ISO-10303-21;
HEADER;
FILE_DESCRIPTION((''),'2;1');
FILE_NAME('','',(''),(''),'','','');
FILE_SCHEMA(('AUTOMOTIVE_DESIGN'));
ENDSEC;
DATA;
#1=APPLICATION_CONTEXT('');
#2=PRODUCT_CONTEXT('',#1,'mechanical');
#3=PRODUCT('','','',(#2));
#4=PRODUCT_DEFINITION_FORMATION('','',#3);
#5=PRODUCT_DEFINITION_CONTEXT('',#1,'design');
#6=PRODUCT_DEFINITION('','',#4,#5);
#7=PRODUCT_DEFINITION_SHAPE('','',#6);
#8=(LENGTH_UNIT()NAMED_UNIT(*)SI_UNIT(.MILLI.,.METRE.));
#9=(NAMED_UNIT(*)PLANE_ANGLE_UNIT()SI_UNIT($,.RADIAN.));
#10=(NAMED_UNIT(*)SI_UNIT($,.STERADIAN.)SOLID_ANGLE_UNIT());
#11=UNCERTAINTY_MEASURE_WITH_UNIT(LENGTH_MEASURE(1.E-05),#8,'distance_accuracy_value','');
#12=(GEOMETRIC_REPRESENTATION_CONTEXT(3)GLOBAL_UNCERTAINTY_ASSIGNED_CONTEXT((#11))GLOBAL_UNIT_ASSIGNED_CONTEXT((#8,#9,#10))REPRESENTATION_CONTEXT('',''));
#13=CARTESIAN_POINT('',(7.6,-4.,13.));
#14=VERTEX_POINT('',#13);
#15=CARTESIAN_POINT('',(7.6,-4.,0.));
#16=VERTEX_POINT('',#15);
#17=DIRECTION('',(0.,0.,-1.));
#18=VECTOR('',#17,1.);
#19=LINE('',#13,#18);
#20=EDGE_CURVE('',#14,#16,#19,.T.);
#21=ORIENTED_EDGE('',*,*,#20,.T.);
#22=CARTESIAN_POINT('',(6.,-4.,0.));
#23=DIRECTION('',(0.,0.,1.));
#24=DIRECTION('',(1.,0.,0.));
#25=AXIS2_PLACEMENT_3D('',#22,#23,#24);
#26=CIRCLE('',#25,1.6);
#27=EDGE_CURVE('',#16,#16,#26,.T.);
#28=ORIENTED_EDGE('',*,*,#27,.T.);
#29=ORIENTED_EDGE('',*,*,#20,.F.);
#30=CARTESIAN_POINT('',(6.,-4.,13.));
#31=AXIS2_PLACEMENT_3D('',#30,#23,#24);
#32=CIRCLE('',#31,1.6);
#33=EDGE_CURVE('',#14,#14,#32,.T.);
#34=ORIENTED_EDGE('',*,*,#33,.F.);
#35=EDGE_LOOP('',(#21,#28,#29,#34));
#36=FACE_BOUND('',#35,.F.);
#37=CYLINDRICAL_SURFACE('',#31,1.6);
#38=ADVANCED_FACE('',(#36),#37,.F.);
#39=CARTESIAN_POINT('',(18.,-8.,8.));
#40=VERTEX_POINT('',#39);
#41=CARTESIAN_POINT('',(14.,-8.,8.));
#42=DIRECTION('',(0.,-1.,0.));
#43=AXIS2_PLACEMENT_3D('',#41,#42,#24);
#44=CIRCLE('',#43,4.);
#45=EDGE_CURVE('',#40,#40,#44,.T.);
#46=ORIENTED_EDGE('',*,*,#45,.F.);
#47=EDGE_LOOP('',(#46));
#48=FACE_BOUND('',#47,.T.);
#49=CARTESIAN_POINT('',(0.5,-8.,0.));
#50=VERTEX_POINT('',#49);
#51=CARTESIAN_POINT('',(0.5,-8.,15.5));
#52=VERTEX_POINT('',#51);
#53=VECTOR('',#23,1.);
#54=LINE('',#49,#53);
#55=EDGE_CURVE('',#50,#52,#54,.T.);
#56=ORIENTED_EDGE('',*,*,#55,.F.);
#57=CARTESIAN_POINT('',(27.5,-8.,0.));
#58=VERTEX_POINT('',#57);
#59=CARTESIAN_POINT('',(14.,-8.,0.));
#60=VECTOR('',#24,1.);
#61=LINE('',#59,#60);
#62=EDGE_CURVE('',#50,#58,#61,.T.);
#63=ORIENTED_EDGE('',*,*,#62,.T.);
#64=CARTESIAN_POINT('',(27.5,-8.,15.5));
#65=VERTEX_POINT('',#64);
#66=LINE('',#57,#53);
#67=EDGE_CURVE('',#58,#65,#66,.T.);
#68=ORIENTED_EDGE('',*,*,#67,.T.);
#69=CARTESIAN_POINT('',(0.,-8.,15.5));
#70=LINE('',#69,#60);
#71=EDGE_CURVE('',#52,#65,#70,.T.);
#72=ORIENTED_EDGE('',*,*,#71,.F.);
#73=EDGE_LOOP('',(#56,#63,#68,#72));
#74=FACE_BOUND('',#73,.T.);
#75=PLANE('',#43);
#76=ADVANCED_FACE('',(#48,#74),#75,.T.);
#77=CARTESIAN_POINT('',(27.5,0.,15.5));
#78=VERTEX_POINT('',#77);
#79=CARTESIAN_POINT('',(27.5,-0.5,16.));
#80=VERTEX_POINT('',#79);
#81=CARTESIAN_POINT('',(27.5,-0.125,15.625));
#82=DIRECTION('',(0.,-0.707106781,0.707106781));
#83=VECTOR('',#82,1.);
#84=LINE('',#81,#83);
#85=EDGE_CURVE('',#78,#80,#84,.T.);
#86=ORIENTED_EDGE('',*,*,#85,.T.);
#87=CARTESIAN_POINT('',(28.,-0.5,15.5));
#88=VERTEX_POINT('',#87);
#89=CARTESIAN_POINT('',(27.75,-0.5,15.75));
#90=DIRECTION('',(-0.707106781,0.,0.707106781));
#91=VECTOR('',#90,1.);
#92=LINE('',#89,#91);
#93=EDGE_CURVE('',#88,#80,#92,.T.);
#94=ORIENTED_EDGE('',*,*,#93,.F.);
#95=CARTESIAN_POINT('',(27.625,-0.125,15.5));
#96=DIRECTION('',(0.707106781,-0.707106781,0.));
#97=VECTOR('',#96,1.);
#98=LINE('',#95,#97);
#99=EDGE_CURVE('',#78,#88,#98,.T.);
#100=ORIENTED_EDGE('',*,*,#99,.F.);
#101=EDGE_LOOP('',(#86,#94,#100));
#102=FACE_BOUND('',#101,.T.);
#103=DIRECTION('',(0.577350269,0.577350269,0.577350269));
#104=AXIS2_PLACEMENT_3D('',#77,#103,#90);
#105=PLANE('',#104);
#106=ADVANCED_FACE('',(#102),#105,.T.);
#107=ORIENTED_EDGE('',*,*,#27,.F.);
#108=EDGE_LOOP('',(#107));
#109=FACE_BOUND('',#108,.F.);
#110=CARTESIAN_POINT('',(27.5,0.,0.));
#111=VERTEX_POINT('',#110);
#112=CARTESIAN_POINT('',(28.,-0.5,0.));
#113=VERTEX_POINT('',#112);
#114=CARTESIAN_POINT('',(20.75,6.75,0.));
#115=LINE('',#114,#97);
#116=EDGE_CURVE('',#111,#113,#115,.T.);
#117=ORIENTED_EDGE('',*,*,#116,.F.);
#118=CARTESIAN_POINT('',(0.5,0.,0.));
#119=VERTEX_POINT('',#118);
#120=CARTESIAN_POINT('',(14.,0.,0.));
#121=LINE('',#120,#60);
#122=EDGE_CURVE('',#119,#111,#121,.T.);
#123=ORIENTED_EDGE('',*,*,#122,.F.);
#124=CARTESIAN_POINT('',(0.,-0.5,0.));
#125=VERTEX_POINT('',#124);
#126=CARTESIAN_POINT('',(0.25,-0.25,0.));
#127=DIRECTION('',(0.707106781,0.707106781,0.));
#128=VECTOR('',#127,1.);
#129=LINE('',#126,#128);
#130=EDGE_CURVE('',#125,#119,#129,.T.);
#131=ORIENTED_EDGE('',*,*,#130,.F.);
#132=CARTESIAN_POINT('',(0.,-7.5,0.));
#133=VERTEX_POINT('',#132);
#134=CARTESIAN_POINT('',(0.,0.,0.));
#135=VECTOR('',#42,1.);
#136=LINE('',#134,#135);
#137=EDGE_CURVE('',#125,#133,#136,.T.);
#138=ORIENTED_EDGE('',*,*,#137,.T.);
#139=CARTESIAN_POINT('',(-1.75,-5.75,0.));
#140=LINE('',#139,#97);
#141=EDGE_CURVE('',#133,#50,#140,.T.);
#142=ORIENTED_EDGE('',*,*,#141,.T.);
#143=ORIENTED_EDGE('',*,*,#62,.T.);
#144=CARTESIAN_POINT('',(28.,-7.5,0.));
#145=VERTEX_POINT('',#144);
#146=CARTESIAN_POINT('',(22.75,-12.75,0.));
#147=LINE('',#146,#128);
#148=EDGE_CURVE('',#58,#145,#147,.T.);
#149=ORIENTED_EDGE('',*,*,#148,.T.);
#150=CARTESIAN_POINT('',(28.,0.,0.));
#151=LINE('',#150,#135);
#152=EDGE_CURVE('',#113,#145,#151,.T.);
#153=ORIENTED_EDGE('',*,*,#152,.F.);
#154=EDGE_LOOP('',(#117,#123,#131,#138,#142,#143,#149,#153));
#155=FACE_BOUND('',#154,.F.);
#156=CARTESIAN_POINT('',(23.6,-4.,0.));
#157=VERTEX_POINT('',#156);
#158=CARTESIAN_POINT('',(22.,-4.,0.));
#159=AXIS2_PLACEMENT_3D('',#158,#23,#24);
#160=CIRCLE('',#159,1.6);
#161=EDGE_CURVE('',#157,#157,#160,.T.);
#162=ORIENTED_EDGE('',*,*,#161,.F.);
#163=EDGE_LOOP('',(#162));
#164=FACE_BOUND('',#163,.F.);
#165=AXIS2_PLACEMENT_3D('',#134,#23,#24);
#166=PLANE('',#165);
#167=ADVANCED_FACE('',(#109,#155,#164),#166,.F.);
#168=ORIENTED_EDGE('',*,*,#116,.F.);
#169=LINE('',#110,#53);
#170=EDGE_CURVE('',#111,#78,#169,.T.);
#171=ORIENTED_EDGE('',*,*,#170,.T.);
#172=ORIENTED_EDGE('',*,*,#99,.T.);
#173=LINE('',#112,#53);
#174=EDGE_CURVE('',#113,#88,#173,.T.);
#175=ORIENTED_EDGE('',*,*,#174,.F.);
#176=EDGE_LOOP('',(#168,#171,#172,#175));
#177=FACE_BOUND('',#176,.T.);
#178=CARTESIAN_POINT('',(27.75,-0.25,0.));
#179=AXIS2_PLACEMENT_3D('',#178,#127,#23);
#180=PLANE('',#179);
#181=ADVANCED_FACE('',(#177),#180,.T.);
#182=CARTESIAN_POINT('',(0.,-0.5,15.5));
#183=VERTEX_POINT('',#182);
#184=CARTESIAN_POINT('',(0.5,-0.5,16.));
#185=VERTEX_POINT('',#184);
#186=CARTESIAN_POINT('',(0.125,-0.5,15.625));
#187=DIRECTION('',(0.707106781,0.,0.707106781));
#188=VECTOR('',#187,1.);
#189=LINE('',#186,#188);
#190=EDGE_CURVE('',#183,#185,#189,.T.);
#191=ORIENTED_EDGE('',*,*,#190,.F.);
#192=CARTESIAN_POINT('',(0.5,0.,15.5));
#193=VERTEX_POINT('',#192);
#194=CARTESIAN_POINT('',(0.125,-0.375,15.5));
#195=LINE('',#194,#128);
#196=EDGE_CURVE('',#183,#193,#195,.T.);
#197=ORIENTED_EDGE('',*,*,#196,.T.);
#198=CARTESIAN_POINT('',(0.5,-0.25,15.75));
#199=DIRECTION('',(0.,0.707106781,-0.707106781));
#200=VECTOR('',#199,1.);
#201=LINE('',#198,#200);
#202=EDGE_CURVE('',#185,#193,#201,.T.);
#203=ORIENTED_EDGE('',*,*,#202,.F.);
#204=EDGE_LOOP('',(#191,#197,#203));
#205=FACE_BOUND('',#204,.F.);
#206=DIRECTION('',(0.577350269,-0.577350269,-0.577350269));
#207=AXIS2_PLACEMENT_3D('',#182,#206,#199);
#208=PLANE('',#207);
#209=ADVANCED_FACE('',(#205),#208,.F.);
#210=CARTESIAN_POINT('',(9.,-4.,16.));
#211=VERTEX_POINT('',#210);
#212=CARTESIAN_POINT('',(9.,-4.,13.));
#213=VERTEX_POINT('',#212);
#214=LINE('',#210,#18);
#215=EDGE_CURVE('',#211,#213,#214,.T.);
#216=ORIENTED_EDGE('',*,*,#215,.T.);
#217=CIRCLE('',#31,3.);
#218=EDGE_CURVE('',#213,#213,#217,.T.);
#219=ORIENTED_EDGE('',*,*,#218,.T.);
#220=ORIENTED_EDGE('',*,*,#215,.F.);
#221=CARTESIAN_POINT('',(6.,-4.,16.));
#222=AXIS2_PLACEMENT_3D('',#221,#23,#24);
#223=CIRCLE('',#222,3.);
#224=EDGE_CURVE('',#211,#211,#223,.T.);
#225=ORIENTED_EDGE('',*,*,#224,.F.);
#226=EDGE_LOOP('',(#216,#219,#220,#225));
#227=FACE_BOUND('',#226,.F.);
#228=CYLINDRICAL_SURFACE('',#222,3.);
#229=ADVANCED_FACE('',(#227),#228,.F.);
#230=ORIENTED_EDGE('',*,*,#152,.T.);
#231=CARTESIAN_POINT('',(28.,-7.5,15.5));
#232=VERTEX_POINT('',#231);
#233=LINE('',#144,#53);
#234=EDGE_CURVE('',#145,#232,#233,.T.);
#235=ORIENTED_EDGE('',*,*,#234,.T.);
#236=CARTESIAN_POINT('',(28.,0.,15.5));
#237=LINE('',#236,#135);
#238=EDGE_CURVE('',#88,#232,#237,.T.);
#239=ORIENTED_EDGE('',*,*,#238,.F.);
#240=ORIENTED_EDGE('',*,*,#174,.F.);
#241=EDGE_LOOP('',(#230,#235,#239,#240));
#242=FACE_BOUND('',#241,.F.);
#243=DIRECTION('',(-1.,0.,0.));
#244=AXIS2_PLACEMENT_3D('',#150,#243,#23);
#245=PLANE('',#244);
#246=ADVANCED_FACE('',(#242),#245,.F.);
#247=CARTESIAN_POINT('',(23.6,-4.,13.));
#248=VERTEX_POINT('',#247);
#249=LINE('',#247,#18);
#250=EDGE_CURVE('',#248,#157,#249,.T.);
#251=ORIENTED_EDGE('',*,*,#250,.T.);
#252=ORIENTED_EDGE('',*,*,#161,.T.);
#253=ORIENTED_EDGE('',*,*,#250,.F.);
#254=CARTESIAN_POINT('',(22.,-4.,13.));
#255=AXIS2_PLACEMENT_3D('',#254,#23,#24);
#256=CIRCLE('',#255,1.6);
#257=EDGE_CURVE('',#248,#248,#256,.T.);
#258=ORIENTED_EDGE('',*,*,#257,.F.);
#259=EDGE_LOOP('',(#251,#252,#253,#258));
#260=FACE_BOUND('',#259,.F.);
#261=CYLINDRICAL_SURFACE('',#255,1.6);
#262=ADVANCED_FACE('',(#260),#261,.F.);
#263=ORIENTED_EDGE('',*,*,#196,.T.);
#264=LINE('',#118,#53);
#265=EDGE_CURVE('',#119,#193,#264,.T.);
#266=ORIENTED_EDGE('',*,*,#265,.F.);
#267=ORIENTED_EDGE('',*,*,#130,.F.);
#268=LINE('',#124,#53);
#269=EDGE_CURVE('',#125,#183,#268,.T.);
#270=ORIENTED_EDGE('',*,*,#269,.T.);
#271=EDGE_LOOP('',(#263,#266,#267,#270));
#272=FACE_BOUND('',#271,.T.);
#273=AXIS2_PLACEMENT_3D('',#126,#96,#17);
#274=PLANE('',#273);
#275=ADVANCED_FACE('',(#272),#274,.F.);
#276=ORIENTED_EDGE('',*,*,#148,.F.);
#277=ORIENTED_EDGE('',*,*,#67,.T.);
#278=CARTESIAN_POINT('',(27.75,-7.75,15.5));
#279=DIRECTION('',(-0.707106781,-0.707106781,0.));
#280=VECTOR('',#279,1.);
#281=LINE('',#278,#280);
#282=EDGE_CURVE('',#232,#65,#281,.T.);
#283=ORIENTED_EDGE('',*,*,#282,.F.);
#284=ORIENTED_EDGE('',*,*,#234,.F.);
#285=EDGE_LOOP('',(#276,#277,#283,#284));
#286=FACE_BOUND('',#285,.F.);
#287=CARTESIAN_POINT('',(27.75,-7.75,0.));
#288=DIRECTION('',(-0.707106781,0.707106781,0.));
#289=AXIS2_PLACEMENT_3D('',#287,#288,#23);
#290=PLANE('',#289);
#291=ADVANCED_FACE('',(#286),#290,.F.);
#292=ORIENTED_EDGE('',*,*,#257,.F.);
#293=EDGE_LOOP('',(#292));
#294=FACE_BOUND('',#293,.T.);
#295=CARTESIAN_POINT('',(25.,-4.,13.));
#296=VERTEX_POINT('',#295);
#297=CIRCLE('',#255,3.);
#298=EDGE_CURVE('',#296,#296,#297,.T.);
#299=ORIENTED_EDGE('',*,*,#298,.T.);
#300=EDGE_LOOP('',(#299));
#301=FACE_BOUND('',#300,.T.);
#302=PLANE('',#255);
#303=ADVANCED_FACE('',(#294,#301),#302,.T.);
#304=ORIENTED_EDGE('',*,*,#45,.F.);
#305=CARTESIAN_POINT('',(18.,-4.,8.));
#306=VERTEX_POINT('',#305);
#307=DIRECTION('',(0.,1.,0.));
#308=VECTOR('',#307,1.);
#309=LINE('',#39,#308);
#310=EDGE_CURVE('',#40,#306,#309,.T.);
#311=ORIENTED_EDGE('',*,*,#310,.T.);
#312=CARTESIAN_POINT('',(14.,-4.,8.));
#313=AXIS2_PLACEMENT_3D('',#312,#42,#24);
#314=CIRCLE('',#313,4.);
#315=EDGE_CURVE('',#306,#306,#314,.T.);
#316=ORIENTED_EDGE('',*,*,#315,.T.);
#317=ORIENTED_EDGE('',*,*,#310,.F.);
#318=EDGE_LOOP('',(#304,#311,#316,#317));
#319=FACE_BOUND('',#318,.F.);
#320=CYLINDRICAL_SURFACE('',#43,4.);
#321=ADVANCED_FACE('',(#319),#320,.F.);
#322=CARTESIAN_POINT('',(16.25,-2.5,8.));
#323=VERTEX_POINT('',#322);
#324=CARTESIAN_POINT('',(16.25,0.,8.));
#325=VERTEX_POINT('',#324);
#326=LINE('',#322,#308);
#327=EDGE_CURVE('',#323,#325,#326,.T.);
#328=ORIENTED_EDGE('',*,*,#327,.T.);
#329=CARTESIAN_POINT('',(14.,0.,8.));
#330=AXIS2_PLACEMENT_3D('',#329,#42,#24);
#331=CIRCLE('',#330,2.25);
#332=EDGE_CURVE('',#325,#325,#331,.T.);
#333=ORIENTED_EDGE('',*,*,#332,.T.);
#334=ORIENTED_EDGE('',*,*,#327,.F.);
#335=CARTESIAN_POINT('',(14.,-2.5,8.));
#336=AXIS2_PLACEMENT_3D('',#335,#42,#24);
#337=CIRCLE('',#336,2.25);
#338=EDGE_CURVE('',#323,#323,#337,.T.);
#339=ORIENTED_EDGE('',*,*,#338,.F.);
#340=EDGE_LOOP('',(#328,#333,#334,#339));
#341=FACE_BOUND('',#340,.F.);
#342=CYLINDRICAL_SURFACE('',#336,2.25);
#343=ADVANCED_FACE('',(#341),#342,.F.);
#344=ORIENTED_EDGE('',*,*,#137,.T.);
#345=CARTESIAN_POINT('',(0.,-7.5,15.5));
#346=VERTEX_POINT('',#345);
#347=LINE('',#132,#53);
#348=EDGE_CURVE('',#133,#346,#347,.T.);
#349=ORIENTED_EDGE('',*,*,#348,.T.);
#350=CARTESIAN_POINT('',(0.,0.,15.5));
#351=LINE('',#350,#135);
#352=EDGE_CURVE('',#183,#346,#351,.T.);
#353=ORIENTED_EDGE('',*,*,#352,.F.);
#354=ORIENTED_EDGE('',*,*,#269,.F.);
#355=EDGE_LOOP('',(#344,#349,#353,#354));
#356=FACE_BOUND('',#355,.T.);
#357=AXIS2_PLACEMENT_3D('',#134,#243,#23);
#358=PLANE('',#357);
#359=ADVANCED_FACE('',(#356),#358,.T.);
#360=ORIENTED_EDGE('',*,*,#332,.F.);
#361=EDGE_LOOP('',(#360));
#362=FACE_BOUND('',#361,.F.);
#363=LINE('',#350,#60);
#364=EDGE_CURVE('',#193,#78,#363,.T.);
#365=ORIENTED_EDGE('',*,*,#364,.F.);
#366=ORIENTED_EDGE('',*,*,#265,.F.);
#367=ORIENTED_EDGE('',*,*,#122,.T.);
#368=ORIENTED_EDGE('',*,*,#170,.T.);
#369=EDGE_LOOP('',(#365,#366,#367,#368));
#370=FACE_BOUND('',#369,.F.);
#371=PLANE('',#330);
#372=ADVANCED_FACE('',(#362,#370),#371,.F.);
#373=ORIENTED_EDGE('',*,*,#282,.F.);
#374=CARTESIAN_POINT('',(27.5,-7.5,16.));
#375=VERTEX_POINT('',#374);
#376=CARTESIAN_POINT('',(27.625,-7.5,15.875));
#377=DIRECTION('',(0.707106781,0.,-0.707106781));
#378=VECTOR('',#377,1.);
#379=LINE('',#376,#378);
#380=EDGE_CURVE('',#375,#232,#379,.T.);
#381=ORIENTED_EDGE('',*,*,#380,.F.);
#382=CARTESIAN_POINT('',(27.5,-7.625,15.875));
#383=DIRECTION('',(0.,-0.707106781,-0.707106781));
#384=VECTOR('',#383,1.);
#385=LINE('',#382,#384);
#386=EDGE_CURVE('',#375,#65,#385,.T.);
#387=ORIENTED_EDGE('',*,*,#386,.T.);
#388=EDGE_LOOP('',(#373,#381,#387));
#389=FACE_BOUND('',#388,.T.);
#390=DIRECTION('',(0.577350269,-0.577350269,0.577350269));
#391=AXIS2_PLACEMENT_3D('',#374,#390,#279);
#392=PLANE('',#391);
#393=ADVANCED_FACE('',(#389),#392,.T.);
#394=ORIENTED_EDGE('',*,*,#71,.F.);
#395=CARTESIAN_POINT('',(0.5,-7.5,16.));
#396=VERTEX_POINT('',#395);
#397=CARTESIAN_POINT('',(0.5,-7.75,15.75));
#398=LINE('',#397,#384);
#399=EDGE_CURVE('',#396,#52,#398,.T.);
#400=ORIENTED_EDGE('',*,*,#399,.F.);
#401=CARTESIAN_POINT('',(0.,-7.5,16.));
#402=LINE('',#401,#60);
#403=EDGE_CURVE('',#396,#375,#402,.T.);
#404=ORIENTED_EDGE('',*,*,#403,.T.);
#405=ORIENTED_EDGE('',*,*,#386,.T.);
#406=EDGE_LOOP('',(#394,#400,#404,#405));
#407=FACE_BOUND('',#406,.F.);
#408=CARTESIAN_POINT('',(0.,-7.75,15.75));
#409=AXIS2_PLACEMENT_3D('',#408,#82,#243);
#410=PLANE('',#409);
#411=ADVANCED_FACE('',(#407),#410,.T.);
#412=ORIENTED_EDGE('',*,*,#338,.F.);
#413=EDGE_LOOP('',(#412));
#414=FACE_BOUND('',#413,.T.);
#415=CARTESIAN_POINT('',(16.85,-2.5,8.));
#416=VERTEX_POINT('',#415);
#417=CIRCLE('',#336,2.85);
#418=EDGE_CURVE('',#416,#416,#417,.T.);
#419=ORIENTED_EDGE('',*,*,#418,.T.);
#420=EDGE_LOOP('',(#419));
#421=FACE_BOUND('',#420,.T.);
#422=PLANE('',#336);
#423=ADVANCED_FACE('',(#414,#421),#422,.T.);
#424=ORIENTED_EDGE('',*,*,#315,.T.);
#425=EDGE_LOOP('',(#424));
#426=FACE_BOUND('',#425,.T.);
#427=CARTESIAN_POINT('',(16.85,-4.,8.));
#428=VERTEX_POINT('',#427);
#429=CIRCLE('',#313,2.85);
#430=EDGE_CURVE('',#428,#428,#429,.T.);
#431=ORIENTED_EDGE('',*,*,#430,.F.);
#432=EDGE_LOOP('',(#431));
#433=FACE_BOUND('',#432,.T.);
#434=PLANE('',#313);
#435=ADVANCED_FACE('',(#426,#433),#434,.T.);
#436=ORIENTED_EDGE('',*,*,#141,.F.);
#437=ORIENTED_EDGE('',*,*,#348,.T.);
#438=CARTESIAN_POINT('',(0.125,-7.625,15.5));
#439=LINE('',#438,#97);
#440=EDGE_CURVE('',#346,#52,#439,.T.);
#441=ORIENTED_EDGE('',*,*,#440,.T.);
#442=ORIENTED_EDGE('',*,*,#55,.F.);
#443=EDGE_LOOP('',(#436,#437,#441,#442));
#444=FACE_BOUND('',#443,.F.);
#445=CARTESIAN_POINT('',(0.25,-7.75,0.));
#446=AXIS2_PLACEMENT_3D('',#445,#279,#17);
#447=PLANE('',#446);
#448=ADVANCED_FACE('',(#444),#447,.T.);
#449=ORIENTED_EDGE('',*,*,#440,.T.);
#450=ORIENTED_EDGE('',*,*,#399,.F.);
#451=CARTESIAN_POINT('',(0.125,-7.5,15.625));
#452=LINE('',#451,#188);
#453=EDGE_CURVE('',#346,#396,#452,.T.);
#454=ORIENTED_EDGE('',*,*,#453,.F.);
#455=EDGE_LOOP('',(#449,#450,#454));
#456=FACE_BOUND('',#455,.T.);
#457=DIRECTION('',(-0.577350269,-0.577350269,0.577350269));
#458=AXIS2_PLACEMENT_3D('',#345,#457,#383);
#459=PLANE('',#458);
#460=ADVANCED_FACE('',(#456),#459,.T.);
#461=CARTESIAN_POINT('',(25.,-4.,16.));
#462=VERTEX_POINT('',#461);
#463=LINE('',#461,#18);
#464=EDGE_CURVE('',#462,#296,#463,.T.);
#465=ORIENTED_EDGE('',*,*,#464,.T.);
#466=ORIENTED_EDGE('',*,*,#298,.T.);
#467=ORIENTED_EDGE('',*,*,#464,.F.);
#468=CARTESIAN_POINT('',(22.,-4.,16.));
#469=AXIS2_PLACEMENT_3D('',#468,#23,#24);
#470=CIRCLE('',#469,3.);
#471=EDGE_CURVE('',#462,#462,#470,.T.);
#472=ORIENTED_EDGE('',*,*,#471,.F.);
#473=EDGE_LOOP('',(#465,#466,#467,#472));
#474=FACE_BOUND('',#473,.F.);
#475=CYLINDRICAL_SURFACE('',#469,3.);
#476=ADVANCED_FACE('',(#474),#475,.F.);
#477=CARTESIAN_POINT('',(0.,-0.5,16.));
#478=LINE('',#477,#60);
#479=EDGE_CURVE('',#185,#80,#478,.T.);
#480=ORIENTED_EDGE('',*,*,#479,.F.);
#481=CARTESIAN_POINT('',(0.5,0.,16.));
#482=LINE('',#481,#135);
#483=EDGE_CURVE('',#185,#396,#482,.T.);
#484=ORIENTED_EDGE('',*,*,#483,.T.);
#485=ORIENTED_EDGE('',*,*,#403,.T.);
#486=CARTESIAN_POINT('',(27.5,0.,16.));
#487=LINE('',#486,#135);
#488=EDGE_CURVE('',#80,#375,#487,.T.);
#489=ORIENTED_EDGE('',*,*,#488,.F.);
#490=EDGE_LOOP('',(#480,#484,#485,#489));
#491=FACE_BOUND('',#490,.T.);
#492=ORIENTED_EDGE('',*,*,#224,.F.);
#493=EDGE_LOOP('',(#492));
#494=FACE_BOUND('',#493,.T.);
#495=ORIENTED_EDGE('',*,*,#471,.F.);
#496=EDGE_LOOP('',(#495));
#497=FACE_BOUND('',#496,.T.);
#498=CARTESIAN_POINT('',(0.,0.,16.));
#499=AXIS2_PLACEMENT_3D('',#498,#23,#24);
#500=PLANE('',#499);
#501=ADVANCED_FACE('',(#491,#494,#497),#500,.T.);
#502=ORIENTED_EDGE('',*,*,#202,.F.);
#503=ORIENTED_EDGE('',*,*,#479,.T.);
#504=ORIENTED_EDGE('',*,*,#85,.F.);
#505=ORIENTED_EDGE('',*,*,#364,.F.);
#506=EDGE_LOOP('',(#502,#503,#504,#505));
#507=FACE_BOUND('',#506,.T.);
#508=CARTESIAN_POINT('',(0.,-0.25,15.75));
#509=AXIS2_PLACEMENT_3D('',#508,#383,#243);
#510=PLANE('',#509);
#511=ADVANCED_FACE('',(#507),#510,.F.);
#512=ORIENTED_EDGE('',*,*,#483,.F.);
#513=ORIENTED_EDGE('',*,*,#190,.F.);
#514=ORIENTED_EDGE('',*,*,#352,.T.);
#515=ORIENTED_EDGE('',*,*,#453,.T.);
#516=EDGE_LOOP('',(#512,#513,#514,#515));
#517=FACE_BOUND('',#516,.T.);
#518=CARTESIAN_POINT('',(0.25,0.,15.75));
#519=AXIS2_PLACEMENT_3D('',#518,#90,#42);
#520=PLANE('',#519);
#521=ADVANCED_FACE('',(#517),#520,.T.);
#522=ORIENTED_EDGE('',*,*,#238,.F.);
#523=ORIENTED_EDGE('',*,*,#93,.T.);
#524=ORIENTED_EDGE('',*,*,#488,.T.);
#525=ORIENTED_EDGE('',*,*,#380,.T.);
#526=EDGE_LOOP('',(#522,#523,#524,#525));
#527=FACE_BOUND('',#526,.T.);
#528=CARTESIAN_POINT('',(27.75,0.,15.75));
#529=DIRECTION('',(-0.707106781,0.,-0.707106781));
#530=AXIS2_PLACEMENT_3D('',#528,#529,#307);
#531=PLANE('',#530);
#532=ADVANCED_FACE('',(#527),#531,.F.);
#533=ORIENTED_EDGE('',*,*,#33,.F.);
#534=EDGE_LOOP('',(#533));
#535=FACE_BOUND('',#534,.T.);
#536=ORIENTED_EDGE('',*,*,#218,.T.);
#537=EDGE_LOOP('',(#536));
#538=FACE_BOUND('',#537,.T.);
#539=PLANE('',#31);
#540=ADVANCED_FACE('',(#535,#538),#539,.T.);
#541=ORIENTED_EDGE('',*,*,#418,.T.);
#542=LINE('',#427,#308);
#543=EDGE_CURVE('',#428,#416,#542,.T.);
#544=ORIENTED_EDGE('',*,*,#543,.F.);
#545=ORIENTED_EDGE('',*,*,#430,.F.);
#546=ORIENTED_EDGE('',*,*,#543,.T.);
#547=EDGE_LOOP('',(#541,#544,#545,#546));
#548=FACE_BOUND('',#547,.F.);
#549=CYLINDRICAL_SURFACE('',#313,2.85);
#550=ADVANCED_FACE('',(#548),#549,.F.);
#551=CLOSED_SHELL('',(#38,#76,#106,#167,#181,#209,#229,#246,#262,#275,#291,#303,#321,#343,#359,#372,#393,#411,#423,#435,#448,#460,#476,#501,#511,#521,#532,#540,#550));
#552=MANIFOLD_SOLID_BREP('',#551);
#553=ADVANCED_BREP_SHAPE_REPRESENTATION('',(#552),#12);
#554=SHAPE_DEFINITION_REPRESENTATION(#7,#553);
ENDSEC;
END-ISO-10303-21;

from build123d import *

# Parameters (mm, degrees)
F0_W      = 28
F0_H      = 16
F1_DEPTH  = 8
F2_R      = 4
F3_DEPTH  = 4
F4_R      = 2.85
F5_DEPTH  = 1.5
F6_R      = 2.25
F7_DEPTH  = 25
F8_R      = 3
F10_DEPTH = 3
F9_R      = 3
F11_DEPTH = 3
F12_R     = 1.6
F14_DEPTH = 25
F13_R     = 1.6
F15_DEPTH = 25
F16_SIZE  = 0.5


with BuildPart() as f1:
    # F0 (on Front) → F1 (new body)
    with BuildSketch(Plane.XZ):
        with Locations((14, 8)):
            Rectangle(F0_W, F0_H)
    extrude(amount=F1_DEPTH)

    # F2 (on face) → F3 (cut)
    with BuildSketch(Plane.XZ.offset(8)):
        with Locations((14, 8)):
            Circle(F2_R)
    extrude(amount=-F3_DEPTH, mode=Mode.SUBTRACT)

    # F4 (on face) → F5 (cut)
    with BuildSketch(Plane.XZ.offset(4)):
        with Locations((14, 8)):
            Circle(F4_R)
    extrude(amount=-F5_DEPTH, mode=Mode.SUBTRACT)

    # F6 (on face) → F7 (cut)
    with BuildSketch(Plane.XZ.offset(2.5)):
        with Locations((14, 8)):
            Circle(F6_R)
    extrude(amount=-F7_DEPTH, mode=Mode.SUBTRACT)

    # F8 (on face) → F10 (cut)
    with BuildSketch(Plane.XY.offset(16)):
        with Locations((6, -4)):
            Circle(F8_R)
    extrude(amount=-F10_DEPTH, mode=Mode.SUBTRACT)

    # F9 (on face) → F11 (cut)
    with BuildSketch(Plane.XY.offset(16)):
        with Locations((22, -4)):
            Circle(F9_R)
    extrude(amount=-F11_DEPTH, mode=Mode.SUBTRACT)

    # F12 (on face) → F14 (cut)
    with BuildSketch(Plane.XY.offset(13)):
        with Locations((6, -4)):
            Circle(F12_R)
    extrude(amount=-F14_DEPTH, mode=Mode.SUBTRACT)

    # F13 (on face) → F15 (cut)
    with BuildSketch(Plane.XY.offset(13)):
        with Locations((22, -4)):
            Circle(F13_R)
    extrude(amount=-F15_DEPTH, mode=Mode.SUBTRACT)

    # F16
    f16_edges = [f1.edges().sort_by_distance(p)[0] for p in [
        (28, -8, 8),
        (28, -4, 16),
        (28, 0, 8),
        (14, -8, 16),
        (14, 0, 16),
        (0, -4, 16),
        (0, -8, 8),
        (0, 0, 8),
    ]]
    chamfer(f16_edges, length=F16_SIZE)


solid = f1.part
